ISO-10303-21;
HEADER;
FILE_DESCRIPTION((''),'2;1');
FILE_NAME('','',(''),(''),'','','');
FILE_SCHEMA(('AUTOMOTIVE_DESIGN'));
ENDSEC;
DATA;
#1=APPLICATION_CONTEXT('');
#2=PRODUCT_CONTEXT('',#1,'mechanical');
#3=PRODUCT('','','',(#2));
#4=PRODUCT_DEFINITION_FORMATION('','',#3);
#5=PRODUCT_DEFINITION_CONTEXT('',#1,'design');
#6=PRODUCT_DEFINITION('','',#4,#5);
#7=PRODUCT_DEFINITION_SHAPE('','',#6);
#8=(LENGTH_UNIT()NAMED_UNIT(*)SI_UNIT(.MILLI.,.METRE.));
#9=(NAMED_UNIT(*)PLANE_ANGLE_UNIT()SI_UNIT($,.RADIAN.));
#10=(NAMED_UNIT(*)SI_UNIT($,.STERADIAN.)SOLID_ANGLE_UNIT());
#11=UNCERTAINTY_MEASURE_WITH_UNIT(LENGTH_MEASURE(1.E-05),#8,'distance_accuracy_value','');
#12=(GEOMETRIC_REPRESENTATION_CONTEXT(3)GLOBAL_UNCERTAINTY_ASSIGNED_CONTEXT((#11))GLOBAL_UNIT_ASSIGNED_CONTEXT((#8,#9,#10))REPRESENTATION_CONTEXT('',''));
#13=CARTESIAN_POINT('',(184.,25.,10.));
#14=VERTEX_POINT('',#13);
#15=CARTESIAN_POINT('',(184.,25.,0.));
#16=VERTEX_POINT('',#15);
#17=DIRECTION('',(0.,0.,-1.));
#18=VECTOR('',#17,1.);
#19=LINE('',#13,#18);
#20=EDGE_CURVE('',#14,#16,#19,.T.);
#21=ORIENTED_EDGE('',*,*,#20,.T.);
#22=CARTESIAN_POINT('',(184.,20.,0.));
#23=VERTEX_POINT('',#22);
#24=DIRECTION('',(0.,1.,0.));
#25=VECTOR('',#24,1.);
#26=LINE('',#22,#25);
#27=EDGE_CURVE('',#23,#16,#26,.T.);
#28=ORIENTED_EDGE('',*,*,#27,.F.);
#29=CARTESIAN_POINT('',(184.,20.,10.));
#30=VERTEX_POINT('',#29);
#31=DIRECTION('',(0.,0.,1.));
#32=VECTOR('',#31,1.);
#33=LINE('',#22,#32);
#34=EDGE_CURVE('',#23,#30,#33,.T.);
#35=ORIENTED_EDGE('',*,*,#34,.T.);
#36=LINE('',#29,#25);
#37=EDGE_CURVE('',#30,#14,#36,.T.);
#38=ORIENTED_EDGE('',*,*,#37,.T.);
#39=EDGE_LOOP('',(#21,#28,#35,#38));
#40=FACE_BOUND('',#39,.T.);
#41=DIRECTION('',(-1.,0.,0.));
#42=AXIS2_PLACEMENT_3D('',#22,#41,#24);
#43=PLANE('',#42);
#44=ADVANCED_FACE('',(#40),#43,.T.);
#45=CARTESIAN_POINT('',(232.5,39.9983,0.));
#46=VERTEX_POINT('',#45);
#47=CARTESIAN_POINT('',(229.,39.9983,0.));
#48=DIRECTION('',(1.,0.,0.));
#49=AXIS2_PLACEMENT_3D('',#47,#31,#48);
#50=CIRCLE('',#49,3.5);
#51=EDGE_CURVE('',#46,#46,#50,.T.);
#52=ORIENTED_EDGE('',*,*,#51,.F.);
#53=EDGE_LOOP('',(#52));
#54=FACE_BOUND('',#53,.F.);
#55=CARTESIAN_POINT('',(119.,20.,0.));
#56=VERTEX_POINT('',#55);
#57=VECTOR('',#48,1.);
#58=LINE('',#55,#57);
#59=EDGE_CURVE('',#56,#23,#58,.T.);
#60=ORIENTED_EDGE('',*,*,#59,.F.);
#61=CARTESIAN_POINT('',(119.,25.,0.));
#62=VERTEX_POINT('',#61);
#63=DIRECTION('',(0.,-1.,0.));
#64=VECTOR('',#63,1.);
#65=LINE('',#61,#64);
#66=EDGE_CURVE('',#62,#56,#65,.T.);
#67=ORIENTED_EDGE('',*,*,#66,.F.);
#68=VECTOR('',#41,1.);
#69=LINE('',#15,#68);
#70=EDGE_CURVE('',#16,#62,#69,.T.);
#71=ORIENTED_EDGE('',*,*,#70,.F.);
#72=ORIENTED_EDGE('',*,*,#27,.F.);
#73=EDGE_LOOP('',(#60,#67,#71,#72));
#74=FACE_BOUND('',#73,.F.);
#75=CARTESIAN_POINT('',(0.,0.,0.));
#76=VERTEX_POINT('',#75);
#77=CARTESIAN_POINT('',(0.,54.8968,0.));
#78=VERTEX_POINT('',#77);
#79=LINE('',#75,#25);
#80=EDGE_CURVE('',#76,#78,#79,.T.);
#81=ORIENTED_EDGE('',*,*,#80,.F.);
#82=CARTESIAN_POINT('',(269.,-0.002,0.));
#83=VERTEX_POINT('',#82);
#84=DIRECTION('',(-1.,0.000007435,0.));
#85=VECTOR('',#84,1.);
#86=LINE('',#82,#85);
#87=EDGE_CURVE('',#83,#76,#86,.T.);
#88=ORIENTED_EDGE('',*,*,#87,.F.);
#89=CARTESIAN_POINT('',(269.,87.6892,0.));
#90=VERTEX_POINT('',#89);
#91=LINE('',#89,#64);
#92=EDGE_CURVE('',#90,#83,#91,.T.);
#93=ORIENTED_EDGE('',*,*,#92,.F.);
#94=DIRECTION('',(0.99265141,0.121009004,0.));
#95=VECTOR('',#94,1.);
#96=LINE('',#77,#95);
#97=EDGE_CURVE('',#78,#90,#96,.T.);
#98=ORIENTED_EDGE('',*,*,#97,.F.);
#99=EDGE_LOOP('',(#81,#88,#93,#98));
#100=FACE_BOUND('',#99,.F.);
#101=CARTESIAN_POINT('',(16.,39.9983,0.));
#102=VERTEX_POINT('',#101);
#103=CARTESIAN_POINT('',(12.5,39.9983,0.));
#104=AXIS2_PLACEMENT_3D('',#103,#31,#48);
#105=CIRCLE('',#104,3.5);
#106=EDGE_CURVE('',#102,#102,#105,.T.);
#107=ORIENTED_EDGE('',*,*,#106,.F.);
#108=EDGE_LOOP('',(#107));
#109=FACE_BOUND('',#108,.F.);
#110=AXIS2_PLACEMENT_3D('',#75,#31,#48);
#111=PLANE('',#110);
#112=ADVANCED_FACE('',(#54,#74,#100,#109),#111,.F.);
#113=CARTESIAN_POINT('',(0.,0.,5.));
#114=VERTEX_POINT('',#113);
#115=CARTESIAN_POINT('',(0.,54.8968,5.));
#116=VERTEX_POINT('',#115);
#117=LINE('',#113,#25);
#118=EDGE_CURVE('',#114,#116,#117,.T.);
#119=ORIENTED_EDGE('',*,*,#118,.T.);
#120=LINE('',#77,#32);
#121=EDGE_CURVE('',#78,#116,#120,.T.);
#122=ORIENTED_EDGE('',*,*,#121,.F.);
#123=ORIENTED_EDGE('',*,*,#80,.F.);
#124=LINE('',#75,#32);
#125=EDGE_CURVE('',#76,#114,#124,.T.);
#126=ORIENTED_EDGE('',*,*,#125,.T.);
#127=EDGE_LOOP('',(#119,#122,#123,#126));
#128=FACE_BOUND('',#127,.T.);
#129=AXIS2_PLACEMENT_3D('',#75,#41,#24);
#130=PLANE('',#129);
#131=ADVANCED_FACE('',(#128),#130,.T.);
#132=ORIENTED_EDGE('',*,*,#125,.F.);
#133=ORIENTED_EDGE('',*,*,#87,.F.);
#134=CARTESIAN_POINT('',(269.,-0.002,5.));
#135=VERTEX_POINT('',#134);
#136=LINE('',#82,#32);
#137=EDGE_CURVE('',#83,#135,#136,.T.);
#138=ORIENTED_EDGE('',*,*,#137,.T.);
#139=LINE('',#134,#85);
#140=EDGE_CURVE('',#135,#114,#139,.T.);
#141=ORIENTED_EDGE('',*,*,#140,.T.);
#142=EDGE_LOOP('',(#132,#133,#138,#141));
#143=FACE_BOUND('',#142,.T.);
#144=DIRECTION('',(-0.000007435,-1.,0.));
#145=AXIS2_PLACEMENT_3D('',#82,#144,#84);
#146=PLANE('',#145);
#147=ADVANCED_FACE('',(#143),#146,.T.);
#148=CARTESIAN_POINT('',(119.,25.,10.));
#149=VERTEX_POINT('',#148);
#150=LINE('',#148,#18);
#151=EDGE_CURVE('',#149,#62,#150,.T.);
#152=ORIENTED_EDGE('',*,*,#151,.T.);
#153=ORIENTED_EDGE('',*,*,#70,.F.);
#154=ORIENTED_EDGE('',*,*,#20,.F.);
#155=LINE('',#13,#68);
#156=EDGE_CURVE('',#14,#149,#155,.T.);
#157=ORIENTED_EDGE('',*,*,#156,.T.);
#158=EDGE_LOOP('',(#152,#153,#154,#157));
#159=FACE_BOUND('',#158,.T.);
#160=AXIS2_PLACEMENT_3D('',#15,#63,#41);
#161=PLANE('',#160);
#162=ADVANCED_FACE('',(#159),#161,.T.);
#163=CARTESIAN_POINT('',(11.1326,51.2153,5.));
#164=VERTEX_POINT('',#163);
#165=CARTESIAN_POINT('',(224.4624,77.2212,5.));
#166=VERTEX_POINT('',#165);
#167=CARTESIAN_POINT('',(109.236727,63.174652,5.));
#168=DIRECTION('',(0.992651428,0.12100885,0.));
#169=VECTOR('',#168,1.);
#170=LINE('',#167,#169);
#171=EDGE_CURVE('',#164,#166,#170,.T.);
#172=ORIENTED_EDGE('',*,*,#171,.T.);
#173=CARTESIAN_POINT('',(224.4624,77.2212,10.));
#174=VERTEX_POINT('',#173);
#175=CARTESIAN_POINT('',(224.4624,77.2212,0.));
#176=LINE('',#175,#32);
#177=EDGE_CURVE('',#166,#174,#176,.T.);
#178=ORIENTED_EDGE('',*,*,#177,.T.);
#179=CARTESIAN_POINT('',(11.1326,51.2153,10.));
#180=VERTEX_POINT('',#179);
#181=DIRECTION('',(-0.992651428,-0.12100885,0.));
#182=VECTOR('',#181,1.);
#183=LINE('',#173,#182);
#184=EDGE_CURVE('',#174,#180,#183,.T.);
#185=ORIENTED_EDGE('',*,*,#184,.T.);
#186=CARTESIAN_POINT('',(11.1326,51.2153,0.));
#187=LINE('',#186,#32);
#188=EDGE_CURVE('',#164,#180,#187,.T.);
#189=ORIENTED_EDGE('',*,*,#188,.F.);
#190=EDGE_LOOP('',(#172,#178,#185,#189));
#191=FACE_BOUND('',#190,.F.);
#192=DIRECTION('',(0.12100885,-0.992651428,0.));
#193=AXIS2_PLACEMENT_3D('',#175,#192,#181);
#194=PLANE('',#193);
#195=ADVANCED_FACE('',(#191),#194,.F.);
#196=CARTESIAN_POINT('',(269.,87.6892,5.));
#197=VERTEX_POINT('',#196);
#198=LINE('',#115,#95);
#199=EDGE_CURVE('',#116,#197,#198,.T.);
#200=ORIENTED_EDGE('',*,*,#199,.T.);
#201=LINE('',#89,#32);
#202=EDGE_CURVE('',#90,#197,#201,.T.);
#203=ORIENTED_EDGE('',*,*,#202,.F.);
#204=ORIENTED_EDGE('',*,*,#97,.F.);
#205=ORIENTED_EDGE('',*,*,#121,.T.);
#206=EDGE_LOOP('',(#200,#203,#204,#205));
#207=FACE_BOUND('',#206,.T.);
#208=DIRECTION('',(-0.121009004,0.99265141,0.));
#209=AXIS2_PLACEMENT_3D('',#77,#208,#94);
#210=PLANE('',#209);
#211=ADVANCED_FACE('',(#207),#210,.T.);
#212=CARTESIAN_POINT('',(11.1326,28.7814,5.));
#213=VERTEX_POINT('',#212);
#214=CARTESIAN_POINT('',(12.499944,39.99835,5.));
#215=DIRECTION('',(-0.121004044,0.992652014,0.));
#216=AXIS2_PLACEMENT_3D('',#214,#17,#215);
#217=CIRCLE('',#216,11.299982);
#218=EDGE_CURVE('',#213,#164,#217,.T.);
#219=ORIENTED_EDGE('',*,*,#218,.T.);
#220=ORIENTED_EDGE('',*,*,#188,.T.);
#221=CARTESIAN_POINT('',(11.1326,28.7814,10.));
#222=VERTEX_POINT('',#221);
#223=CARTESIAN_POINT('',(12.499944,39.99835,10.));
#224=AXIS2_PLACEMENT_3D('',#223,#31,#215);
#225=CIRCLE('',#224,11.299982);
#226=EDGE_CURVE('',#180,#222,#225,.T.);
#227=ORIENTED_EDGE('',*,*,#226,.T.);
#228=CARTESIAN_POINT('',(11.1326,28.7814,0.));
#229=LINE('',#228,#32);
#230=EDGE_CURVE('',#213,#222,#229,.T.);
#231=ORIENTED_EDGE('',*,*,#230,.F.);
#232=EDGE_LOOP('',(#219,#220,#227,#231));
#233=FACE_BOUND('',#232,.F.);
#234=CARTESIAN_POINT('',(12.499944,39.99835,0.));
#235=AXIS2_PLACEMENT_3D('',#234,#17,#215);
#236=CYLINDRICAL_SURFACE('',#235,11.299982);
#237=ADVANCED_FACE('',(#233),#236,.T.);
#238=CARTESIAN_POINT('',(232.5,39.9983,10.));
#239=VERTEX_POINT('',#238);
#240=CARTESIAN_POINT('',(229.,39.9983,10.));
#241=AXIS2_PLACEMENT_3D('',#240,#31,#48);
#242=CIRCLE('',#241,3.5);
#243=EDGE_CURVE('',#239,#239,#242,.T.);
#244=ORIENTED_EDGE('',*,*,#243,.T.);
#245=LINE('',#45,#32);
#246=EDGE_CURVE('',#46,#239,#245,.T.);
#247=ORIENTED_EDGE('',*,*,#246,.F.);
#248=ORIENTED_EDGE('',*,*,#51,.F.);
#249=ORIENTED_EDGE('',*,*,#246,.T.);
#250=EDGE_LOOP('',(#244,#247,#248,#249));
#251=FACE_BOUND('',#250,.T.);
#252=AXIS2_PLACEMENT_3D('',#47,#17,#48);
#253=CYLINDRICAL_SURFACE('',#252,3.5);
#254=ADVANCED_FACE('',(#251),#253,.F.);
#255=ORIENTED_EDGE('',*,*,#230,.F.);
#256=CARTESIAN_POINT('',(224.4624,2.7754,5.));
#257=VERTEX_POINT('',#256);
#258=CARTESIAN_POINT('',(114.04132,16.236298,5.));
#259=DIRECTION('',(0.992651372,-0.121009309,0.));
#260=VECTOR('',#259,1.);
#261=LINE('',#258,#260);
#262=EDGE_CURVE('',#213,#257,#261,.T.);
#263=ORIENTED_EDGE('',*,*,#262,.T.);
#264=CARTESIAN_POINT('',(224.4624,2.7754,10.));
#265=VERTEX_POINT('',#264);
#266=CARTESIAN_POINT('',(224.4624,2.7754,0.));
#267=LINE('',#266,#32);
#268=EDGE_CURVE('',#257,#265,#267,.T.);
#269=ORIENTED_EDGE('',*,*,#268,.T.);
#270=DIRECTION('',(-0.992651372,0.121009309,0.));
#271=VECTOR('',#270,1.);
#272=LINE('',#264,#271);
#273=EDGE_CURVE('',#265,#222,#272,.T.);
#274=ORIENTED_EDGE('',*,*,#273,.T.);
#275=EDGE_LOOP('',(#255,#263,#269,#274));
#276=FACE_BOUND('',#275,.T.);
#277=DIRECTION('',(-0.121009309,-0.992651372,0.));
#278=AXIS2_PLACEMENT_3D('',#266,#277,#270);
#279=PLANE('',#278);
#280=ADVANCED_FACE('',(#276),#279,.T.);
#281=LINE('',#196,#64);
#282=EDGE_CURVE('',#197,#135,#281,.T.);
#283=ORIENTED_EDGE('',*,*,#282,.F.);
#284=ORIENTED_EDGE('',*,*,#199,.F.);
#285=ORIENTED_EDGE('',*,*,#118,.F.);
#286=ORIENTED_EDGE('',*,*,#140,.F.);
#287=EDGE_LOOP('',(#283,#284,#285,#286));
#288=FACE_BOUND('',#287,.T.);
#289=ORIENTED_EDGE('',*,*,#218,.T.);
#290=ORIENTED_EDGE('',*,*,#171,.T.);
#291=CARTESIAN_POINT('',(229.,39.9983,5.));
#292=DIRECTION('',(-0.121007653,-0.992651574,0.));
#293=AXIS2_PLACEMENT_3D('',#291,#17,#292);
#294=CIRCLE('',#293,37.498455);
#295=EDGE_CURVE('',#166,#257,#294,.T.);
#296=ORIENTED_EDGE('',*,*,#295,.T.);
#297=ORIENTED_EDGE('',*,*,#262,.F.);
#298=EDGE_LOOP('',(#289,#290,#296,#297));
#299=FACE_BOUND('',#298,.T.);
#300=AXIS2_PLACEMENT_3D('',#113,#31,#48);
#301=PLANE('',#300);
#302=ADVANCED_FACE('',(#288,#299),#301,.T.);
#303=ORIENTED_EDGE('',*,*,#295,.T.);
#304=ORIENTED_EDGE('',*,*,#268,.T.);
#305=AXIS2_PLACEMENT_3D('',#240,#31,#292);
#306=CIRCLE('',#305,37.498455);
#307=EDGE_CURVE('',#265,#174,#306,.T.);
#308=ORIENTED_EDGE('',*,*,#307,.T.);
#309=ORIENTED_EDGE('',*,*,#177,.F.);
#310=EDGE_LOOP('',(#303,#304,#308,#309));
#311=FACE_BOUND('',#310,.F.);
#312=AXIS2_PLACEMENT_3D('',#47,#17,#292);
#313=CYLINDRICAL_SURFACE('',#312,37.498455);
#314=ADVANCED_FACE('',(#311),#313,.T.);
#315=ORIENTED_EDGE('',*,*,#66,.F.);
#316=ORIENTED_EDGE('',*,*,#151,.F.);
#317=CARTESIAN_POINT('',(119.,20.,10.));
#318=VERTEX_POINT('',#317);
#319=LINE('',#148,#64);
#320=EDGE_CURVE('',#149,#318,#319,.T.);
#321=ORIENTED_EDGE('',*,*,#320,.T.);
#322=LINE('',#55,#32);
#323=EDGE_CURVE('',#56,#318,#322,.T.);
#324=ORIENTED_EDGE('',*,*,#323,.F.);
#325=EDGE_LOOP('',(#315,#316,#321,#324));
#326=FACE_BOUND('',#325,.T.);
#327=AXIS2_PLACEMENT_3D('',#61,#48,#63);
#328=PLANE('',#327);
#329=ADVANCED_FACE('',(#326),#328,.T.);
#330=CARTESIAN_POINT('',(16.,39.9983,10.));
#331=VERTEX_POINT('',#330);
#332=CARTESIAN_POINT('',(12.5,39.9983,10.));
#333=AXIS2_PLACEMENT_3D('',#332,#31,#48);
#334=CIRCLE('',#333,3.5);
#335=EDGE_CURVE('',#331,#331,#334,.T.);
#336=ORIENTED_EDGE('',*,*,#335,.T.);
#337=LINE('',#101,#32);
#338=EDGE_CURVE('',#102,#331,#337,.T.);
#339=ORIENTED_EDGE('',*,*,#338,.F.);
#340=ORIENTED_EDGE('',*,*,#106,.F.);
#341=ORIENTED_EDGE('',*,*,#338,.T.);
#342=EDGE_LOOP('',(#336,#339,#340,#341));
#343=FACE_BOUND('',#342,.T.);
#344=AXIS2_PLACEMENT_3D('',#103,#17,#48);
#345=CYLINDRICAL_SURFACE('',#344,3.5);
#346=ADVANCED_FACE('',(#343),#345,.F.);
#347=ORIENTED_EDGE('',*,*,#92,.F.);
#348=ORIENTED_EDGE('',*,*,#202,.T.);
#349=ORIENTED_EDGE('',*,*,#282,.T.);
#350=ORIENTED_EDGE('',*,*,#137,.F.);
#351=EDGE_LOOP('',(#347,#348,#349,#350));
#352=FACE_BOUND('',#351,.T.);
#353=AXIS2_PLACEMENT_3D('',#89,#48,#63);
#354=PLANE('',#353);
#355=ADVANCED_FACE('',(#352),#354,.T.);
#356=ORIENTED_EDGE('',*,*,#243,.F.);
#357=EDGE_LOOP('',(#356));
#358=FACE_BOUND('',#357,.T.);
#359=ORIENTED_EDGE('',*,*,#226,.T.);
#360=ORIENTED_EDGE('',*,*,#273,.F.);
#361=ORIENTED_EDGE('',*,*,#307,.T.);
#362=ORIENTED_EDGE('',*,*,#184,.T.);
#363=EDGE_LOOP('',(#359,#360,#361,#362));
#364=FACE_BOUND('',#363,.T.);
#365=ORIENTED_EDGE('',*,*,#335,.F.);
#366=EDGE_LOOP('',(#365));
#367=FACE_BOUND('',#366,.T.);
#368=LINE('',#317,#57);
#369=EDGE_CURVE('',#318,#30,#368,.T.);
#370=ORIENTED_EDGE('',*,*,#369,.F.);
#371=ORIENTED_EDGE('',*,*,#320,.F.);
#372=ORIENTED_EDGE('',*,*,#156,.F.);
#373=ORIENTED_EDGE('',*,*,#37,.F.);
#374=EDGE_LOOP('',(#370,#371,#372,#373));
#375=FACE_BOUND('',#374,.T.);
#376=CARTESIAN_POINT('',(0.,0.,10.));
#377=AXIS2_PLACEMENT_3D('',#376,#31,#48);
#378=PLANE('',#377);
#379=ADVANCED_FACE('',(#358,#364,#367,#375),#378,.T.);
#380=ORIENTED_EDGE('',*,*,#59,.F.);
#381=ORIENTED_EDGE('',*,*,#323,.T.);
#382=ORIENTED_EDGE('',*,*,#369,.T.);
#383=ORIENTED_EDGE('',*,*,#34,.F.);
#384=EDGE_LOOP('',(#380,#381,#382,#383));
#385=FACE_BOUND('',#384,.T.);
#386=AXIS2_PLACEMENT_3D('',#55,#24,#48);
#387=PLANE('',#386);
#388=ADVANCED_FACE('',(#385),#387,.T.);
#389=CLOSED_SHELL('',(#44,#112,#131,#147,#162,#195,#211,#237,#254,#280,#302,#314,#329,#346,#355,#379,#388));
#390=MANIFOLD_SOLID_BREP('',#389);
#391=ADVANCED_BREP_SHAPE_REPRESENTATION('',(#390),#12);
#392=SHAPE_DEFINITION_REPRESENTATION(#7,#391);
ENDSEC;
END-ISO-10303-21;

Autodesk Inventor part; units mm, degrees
ref_plane "YZ Plane" through (0, 0, 0) normal (1, 0, 0) x (0, 1, 0)
ref_plane "XZ Plane" through (0, 0, 0) normal (0, 1, 0) x (-1, 0, 0)
ref_plane "XY Plane" through (0, 0, 0) normal (0, 0, 1) x (1, 0, 0)
sketch "Boceto1" plane through (0, 0, 0) normal (0, 0, 1) x (1, 0, 0)
  circle A0 centre (229, 39.9983) radius 35 construction
  line L0 (269, 87.6892) -> (269, -0.002)
  line L1 (269, -0.002) -> (0, 0)
  line L2 (0, 0) -> (0, 54.8968)
  line L3 (457.9938, -0.0034) -> (457.9938, 80) construction
  line L4 (457.9938, 80) -> (-432.9938, 80) construction
  line L5 (189, -0.0014) -> (189, 79.998) construction
  line L6 (189, 79.998) -> (269, 79.998) construction
  circle A1 centre (229, 39.9983) radius 11.3 construction
  line L7 (119, 54.9966) -> (199, 54.9966) construction
  line L8 (199, 54.9966) -> (199, 25) construction
  line L9 (199, 25) -> (119, 25) construction
  line L10 (119, 25) -> (119, 54.9966) construction
  arc A2 (224.4624, 2.7754) -> (224.4624, 77.2212) centre (229, 39.9983) ccw
  arc A3 (11.1326, 51.2153) -> (11.1326, 28.7814) centre (12.5, 39.9983) ccw
  line L11 (224.4624, 77.2212) -> (11.1326, 51.2153)
  line L12 (224.4624, 2.7754) -> (11.1326, 28.7814)
  line L13 (0, 54.8968) -> (269, 87.6892)
  line L14 (119, 20) -> (184, 20)
  line L15 (119, 25) -> (119, 20)
  line L16 (184, 20) -> (184, 25)
  circle A4 centre (12.5, 39.9983) radius 3.5
  circle A5 centre (229, 39.9983) radius 3.5
  circle A6 centre (229, 39.9983) radius 30 construction
  line L17 (184, 25) -> (119, 25)
  point P0 (457.9938, 39.9983)
  point P1 (12.5, 80)
  point P2 (189, 39.9983)
  point P3 (229, 79.998)
  point P4 (199, 39.9983)
  dimension "d2" = 269
  dimension "d17" = 5
  dimension "d18" = 65
  dimension "d19" = 7
  dimension "d25" = 87.6911
  dimension "d26" = 40
  dimension "d27" = 40
  dimension "d28" = 12.5
  dimension "d29" = 39.9984
  dimension "d30" = 7
  dimension "d31" = 54.8968
extrude "Extrusión1" add sketch "Boceto1" along normal blind 5 contours L0 L1 L2 L13 | L12 A3 L11 A2
extrude "Extrusión2" add sketch "Boceto1" along normal blind 10 contours L12 A3 L11 A2
properties part number "divisores_banda"
